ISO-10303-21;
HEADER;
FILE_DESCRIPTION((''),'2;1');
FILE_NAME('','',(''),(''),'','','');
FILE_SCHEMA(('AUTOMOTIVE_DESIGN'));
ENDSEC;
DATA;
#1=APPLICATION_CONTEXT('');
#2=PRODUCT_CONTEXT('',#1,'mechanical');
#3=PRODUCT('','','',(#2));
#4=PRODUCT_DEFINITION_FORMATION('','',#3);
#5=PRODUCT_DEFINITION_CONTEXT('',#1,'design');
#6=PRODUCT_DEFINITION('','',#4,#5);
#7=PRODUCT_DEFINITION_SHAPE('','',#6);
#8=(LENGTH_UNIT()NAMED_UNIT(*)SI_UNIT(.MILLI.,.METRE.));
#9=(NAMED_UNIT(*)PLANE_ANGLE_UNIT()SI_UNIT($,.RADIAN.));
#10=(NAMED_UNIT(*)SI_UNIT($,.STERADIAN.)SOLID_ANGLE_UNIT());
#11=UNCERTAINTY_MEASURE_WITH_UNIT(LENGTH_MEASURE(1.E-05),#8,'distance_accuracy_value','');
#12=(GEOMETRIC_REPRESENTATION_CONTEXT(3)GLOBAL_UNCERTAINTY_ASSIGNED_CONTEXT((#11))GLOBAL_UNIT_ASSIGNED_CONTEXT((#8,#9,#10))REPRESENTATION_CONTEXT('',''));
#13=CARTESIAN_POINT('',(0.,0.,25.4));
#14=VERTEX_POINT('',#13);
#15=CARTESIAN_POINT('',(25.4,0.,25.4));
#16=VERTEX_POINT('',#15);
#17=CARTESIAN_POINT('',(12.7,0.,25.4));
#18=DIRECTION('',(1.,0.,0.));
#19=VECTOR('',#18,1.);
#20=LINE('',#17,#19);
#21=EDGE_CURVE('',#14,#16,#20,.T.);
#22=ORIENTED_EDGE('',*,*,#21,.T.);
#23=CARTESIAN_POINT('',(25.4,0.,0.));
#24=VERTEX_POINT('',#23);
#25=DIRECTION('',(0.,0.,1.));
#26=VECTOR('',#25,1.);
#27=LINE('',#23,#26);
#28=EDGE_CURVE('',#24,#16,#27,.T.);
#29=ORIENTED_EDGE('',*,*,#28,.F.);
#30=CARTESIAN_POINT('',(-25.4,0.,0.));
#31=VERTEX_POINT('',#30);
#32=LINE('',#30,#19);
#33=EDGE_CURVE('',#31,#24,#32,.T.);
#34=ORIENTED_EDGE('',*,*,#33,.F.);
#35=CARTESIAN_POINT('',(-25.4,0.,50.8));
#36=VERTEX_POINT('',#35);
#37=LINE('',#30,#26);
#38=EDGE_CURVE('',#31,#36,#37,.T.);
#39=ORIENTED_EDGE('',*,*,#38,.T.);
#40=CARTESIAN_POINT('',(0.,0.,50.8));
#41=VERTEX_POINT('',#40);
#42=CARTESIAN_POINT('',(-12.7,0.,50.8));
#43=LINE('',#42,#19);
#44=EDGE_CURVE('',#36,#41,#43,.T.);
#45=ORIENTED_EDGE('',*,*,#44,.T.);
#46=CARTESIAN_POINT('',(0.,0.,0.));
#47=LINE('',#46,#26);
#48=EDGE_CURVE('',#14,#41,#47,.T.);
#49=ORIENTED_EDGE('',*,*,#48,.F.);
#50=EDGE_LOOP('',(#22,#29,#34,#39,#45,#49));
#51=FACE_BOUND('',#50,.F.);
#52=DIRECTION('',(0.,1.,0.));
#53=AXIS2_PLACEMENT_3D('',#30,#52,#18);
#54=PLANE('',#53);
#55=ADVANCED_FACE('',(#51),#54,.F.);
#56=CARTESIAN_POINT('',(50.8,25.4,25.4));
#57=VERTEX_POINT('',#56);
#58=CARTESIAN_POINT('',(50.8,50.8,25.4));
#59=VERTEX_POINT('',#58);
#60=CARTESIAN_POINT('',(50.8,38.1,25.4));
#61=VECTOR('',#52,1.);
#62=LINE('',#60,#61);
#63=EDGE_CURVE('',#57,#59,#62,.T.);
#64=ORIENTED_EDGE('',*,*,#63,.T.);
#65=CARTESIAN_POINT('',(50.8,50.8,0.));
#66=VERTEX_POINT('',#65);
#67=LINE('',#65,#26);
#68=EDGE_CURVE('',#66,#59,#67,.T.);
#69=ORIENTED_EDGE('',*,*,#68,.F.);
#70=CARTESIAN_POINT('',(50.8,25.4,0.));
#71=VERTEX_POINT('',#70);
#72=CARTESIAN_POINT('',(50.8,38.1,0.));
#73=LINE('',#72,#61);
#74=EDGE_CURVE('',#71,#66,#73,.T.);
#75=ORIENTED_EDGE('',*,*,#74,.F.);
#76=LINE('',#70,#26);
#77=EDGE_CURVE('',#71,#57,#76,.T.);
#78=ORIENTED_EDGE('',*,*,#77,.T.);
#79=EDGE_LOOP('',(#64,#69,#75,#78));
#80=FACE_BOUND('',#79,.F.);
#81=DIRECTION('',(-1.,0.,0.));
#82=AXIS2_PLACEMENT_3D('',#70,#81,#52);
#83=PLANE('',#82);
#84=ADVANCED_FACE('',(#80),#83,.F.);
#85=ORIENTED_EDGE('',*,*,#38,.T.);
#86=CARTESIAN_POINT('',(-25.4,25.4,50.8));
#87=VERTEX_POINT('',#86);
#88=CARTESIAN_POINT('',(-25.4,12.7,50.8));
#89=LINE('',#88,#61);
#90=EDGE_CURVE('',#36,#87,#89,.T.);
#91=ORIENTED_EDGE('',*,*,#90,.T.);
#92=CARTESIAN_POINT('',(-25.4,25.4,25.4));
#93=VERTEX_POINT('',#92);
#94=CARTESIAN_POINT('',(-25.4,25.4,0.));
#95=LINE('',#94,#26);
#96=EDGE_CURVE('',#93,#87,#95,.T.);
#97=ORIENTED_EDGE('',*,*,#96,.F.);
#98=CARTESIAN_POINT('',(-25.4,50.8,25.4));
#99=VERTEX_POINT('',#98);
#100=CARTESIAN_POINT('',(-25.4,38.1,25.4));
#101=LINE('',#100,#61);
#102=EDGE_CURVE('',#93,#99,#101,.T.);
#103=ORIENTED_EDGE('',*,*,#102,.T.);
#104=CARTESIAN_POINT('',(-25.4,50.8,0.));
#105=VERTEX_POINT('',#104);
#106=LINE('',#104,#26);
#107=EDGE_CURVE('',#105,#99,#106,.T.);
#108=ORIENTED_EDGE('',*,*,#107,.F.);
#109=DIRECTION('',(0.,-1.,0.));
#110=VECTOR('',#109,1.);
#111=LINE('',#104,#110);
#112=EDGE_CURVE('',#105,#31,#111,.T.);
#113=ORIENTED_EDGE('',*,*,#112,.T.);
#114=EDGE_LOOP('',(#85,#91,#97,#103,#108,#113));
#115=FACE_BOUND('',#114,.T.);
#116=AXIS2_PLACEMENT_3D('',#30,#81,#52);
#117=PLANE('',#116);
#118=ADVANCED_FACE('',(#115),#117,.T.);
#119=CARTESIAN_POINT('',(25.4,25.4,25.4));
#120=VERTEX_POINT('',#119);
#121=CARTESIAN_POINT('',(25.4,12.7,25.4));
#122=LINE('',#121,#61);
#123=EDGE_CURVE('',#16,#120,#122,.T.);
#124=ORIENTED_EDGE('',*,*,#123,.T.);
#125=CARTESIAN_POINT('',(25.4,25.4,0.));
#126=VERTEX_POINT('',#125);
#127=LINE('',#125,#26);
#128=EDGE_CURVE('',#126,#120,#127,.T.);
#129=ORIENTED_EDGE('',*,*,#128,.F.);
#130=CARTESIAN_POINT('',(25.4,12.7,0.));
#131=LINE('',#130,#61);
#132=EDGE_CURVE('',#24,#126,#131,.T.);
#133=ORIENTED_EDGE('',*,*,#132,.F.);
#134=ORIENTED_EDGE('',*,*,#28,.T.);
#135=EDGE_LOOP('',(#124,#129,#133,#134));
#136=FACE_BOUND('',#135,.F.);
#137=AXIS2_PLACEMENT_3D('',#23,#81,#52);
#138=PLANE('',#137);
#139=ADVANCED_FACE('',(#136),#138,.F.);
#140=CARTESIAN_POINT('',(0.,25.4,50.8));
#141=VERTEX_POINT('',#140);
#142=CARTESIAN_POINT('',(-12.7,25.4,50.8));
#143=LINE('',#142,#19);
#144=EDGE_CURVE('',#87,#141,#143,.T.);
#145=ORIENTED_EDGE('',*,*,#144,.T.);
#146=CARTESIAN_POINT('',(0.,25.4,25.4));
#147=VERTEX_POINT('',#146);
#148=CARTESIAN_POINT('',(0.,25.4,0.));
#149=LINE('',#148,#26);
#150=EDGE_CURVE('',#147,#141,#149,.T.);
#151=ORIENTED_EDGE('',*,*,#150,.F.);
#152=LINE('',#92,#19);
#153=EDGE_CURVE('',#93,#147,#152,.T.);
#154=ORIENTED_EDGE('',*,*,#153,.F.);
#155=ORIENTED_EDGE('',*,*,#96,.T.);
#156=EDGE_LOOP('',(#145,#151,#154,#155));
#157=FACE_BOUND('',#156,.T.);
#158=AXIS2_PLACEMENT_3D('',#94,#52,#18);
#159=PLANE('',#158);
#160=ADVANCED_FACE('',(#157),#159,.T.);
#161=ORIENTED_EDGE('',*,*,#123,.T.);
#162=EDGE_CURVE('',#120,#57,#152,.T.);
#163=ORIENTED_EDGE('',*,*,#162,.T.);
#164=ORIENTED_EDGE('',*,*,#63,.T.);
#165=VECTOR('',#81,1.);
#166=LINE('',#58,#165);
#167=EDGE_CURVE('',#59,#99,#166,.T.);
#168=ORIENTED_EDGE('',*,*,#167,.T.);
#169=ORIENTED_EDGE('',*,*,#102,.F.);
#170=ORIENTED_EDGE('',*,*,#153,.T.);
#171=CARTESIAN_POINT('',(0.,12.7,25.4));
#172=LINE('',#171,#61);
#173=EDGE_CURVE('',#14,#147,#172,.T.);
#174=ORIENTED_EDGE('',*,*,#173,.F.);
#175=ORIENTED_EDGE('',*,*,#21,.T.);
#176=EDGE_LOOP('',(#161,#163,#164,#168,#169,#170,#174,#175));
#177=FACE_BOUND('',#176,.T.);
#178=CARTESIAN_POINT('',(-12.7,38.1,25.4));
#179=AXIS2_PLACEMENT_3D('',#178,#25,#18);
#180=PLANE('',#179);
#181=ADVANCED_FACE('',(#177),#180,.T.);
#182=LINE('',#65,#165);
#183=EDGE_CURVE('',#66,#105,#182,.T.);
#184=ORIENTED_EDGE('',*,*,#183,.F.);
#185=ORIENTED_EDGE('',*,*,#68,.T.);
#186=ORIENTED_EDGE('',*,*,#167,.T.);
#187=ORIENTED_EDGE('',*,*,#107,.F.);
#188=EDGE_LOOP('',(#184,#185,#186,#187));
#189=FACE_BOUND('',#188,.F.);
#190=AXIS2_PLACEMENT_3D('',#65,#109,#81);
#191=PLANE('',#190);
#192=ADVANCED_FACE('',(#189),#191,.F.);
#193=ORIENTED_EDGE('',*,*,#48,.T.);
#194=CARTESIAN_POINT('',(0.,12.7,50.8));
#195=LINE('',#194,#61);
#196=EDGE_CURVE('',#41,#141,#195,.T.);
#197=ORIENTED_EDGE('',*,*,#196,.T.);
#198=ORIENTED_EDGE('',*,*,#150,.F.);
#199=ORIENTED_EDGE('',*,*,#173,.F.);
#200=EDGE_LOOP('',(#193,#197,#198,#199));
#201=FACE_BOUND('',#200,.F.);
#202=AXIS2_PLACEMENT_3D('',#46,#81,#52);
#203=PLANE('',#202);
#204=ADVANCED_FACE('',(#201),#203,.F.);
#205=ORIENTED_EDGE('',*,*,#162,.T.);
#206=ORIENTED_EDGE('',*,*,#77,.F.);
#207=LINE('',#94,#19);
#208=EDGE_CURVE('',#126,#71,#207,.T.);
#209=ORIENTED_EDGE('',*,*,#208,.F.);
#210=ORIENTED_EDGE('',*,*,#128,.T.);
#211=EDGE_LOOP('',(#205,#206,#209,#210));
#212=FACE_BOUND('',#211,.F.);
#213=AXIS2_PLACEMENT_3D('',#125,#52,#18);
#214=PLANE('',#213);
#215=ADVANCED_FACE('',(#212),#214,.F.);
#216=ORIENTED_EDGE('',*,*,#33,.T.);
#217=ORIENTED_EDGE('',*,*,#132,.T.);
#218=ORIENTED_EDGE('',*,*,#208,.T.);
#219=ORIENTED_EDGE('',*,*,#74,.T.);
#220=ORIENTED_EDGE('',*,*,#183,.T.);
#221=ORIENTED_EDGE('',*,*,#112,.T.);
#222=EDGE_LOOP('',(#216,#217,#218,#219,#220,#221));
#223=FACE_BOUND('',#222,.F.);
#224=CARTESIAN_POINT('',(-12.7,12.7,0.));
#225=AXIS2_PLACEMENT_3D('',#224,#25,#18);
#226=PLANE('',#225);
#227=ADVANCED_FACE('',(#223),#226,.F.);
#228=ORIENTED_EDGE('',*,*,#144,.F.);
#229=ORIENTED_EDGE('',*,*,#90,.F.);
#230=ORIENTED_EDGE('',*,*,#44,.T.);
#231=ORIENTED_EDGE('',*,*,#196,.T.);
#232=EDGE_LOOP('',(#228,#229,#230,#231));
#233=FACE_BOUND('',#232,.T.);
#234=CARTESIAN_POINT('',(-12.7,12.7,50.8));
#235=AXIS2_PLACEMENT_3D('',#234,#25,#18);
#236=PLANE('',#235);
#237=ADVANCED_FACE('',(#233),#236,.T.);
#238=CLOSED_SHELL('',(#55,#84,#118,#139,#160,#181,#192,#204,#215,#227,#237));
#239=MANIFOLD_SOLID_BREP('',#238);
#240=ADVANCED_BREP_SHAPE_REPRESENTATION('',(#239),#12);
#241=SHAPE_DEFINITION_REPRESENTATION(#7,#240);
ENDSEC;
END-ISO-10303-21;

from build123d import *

# Parameters (mm, degrees)
F0_W     = 25.4
F0_H     = 25.4
F1_DEPTH = 25.4
F2_DEPTH = 50.8


with BuildPart() as f1:
    # F0 (on Top) → F1 (new body)
    with BuildSketch(Plane.XY):
        with Locations((-12.7, 38.1)):
            Rectangle(F0_W, F0_H)
        with Locations((12.7, 38.1)):
            Rectangle(F0_W, F0_H)
        with Locations((38.1, 38.1)):
            Rectangle(F0_W, F0_H)
        with Locations((12.7, 12.7)):
            Rectangle(F0_W, F0_H)
    extrude(amount=F1_DEPTH)

    # F0 (on Top) → F2 (join)
    with BuildSketch(Plane.XY):
        with Locations((-12.7, 12.7)):
            Rectangle(F0_W, F0_H)
    extrude(amount=F2_DEPTH)


solid = f1.part
